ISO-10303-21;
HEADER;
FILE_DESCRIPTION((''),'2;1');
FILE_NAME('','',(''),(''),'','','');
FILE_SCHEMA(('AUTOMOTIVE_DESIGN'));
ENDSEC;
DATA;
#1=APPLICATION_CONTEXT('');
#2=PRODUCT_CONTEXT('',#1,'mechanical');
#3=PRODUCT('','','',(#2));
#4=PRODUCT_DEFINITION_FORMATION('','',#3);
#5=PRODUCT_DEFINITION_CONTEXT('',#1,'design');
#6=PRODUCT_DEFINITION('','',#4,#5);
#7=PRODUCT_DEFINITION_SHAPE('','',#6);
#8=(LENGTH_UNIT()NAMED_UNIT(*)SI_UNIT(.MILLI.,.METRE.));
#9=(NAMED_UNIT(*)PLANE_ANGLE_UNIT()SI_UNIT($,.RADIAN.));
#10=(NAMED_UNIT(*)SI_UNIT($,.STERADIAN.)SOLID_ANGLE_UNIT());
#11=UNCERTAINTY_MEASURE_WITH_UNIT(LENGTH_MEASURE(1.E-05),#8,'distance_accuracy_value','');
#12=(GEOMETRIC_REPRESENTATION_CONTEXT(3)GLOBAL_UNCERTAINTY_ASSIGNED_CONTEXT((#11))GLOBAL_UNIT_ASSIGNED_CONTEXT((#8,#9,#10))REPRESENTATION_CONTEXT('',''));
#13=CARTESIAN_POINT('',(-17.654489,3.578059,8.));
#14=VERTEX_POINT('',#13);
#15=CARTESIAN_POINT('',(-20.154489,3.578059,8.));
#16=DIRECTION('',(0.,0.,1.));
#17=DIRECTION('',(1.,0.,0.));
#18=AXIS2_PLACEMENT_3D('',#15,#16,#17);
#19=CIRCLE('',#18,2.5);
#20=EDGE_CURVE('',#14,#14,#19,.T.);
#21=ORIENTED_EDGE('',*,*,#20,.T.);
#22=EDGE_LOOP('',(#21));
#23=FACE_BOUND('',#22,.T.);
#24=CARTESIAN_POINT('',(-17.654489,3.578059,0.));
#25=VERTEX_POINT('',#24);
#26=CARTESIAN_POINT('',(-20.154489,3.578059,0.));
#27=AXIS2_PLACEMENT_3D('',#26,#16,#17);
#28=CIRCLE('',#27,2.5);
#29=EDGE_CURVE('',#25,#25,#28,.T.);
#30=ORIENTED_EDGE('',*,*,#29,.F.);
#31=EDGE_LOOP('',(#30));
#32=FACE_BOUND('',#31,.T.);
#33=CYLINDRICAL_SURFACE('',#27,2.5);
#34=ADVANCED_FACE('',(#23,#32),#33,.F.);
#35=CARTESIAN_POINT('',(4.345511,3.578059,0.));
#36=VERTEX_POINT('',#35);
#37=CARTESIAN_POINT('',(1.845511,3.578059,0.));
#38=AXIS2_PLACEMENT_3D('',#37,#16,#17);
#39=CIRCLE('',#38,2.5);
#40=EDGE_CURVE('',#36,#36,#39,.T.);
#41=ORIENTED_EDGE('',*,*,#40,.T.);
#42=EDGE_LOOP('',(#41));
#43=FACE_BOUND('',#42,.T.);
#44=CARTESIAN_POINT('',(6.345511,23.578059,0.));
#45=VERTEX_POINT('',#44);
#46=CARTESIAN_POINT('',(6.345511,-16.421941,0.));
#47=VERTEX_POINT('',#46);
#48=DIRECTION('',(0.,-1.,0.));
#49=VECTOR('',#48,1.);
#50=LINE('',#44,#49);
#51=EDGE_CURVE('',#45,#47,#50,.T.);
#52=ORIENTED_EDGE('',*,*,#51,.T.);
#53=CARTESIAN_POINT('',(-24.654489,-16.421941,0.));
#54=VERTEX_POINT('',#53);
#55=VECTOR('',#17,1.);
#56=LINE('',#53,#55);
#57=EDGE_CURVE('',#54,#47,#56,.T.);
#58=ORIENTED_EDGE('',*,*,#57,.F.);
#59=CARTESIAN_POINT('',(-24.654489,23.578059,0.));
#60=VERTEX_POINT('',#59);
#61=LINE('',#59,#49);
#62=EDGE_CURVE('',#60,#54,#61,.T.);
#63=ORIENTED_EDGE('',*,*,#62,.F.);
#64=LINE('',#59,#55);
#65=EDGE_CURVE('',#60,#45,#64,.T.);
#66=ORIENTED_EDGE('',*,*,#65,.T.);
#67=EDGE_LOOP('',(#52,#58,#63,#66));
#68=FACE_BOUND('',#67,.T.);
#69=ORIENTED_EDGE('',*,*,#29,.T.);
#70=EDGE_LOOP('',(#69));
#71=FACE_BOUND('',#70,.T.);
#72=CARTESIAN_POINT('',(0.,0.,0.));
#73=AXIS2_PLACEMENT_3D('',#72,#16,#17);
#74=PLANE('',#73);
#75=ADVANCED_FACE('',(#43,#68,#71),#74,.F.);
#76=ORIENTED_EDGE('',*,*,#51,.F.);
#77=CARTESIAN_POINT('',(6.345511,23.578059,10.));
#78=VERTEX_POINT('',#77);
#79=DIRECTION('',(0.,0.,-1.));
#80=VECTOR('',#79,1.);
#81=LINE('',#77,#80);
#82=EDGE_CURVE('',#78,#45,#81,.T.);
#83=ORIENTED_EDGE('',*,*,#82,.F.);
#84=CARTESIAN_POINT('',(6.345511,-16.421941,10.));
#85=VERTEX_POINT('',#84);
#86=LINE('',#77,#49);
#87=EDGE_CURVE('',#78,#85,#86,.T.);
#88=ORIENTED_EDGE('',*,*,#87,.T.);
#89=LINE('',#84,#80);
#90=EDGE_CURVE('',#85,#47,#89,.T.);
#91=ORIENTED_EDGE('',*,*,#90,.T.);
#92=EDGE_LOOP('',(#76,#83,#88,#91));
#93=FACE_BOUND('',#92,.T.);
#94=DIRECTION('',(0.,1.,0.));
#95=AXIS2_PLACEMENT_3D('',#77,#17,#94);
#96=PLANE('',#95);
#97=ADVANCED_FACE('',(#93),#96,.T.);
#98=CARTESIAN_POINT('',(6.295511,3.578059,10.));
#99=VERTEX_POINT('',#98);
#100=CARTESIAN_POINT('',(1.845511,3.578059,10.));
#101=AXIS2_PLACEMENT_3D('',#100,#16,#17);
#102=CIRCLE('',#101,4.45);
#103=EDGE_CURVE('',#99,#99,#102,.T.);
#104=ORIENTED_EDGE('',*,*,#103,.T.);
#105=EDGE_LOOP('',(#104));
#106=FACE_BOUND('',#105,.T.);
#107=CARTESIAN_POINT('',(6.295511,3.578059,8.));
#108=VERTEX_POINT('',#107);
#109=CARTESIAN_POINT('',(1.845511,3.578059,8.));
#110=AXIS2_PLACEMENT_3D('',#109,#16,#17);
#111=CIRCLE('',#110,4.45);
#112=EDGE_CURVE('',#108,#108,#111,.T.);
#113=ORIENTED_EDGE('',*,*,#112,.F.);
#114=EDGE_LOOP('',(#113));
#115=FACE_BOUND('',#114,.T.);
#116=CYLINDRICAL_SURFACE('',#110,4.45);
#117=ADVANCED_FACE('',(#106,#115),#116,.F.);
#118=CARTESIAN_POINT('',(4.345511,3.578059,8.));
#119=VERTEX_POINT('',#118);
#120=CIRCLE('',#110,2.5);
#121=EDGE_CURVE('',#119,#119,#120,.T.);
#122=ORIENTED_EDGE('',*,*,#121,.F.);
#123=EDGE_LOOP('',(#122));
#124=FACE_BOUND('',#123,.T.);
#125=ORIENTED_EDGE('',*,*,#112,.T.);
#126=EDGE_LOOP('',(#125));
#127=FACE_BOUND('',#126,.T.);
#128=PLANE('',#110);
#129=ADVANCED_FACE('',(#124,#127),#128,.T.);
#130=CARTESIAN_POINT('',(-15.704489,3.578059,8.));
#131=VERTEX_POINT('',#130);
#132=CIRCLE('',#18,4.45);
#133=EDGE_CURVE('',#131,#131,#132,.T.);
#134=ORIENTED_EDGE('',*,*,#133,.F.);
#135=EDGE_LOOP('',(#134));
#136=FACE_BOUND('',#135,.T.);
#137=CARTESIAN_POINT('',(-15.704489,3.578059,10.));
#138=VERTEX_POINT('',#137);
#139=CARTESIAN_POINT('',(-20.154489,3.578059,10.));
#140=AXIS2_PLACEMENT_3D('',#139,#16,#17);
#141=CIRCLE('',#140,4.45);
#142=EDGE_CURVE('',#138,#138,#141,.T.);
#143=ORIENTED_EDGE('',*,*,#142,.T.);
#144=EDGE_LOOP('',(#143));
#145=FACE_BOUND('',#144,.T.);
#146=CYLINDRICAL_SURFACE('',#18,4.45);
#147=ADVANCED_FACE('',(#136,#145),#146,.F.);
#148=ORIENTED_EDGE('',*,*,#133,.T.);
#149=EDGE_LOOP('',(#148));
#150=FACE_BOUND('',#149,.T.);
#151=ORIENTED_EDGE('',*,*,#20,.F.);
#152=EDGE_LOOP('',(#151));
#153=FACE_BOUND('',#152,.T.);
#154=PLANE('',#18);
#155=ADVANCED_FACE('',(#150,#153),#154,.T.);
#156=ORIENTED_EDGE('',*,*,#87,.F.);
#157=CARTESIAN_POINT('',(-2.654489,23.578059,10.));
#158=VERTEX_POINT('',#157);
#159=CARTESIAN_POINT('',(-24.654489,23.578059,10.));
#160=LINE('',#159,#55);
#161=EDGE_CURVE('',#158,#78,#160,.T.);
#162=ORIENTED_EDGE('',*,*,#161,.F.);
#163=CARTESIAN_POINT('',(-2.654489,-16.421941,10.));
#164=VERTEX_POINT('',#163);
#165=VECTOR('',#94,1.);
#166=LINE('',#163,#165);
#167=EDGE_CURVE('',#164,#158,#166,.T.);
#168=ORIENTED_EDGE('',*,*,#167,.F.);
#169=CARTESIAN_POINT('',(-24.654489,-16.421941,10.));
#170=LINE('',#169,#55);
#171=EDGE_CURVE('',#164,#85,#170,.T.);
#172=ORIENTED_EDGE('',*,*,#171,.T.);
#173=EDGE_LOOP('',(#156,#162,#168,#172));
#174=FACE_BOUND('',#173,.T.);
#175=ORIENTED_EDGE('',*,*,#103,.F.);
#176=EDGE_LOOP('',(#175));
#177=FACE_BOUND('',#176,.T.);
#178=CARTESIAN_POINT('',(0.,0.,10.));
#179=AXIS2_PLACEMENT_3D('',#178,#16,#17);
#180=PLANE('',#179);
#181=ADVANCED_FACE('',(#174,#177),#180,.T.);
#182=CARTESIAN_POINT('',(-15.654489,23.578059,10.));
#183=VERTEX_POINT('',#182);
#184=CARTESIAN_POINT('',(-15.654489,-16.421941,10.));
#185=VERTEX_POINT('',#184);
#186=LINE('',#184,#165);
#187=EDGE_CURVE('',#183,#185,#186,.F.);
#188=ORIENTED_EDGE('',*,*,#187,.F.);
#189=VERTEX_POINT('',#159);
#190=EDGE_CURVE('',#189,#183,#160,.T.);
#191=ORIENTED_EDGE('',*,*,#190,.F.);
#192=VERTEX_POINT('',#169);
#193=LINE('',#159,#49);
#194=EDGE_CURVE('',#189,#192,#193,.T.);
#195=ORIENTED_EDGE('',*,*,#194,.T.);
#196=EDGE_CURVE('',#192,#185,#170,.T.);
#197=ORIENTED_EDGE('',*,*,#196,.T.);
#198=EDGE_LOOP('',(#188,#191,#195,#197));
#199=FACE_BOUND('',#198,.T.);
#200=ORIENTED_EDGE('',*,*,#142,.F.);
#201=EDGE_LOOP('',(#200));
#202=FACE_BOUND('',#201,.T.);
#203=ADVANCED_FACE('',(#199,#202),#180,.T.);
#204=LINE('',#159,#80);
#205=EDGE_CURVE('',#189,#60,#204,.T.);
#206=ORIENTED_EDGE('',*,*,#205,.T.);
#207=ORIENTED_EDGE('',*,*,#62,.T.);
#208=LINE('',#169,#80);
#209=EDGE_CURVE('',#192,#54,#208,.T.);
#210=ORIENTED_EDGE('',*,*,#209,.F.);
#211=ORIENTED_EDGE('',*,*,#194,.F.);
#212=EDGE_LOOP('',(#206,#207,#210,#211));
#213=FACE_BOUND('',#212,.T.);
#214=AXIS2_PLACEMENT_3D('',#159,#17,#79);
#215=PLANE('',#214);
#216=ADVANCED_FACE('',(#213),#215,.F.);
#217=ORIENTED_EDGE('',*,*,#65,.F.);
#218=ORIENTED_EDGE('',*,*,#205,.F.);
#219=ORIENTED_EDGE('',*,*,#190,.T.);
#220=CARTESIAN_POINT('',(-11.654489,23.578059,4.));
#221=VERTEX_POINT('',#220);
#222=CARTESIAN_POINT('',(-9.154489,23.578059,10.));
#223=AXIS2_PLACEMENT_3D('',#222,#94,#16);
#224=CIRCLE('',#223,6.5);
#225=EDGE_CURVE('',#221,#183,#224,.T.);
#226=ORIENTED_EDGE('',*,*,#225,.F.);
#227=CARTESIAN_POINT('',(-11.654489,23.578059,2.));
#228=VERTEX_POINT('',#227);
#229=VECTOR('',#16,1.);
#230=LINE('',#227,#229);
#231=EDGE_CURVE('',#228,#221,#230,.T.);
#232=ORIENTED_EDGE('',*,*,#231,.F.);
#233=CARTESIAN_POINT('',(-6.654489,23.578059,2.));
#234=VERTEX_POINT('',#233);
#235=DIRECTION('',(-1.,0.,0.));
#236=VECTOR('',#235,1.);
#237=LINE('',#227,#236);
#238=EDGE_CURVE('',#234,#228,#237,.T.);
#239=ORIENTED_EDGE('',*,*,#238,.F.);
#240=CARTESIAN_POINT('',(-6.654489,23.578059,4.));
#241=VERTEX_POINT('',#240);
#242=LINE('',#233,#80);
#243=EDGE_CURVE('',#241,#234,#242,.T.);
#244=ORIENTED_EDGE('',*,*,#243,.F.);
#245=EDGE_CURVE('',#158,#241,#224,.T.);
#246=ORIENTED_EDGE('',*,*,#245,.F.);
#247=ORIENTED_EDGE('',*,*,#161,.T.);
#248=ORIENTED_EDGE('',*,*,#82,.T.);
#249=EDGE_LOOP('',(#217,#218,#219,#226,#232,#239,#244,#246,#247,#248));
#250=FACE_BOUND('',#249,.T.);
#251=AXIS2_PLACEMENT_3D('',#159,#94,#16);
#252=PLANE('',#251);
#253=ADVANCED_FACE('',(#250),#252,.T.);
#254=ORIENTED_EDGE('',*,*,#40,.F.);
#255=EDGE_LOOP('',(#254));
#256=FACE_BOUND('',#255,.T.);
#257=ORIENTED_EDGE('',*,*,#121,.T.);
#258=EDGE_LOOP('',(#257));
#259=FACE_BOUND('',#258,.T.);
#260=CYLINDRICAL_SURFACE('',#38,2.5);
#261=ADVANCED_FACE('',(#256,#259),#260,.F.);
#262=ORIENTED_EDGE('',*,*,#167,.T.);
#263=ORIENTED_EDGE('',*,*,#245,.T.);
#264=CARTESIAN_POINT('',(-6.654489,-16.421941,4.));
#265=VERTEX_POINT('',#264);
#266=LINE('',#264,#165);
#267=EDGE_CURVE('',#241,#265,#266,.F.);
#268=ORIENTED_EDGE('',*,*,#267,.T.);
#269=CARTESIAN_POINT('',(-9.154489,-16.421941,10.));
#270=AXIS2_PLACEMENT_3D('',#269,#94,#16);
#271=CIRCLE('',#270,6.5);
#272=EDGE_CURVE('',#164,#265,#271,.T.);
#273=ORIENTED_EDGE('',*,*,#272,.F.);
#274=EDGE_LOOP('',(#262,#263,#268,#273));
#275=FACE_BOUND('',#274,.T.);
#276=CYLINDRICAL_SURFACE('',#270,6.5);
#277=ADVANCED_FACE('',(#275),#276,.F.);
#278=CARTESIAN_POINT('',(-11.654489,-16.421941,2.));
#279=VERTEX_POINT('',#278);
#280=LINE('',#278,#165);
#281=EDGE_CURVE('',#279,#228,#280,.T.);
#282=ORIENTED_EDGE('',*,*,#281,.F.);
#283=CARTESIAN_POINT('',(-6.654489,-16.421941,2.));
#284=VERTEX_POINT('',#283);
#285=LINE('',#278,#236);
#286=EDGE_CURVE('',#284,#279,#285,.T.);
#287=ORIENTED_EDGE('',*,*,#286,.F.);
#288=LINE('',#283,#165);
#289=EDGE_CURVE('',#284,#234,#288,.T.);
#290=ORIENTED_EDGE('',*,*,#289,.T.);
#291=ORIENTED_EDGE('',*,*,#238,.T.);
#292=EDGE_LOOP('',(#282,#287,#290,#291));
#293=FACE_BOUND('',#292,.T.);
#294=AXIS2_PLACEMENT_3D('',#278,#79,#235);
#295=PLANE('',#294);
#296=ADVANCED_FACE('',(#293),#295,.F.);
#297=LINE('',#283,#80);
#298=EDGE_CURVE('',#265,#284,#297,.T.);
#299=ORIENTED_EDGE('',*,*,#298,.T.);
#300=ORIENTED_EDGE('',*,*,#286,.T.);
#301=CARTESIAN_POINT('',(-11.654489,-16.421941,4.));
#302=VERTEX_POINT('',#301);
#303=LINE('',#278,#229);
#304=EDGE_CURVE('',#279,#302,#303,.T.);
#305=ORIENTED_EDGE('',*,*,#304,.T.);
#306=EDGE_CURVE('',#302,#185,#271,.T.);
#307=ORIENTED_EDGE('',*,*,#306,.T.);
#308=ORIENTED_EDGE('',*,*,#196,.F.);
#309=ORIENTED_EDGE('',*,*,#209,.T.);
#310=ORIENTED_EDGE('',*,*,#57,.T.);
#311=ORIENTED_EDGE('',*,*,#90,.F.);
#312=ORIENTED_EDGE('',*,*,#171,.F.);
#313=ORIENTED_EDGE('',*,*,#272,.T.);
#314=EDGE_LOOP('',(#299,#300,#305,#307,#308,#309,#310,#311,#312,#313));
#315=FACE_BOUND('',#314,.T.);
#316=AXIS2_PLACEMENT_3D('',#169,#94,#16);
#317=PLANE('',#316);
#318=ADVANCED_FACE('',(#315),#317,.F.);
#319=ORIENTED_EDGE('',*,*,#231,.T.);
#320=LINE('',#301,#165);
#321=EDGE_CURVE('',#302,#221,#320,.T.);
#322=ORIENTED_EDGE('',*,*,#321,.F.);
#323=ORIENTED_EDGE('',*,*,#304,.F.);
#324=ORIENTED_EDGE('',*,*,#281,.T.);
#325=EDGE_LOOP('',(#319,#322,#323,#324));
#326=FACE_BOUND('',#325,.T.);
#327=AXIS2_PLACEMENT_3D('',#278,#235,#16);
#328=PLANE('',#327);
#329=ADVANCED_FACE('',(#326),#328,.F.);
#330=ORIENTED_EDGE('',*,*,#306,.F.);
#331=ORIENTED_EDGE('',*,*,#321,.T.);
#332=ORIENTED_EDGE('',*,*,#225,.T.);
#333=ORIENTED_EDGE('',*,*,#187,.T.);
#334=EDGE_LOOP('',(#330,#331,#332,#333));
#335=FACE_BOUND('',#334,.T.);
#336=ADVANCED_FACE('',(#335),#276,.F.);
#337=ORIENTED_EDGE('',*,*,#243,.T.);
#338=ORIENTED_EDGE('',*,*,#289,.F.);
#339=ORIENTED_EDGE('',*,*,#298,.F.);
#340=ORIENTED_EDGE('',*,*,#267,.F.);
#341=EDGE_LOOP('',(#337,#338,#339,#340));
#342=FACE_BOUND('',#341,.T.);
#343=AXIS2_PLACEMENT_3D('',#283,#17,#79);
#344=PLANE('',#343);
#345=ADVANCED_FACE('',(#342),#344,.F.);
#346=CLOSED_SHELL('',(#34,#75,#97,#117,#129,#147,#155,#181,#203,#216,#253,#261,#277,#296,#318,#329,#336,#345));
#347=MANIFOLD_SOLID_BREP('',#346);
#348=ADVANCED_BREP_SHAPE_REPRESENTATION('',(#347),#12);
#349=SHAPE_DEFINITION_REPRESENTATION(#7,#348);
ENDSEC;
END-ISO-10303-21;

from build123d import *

# Parameters (mm, degrees)
SKETCH1_W           = 31
SKETCH1_H           = 40
BOSS_EXTRUDE1_DEPTH = 10
SKETCH2_R           = 6.5
CUT_EXTRUDE1_DEPTH  = 49.040022953
SKETCH3_R           = 2.5
CUT_EXTRUDE2_DEPTH  = 36.549524257
SKETCH3_4_R         = 4.45
SKETCH3_4_R_2       = 2.5
CUT_EXTRUDE5_DEPTH  = 2
SKETCH4_W           = 5
SKETCH4_H           = 3
CUT_EXTRUDE6_DEPTH  = 49.040022953


with BuildPart() as part:
    # Sketch1 → Boss-Extrude1 (new body)
    with BuildSketch(Plane.XY):
        with Locations((-9.154488543, 3.578059072)):
            Rectangle(SKETCH1_W, SKETCH1_H)
    extrude(amount=BOSS_EXTRUDE1_DEPTH)

    # Sketch2 → Cut-Extrude1 (cut, through all)
    with BuildSketch(Plane(origin=(0, 23.578059072, 0), x_dir=(1, 0, 0), z_dir=(0, 1, 0))):
        with Locations((-9.154488543, -10)):
            Circle(SKETCH2_R)
    extrude(amount=-CUT_EXTRUDE1_DEPTH, mode=Mode.SUBTRACT)

    # Sketch3 → Cut-Extrude2 (cut, through all)
    with BuildSketch(Plane.XY.offset(10)):
        with Locations((-20.154488543, 3.578059072)):
            Circle(SKETCH3_R)
        with Locations((1.845511457, 3.578059072)):
            Circle(SKETCH3_R)
    extrude(amount=-CUT_EXTRUDE2_DEPTH, mode=Mode.SUBTRACT)

    # Sketch3<4> → Cut-Extrude5 (cut)
    # profile 1 of 2: a face of its own
    with BuildSketch(Plane.XY.offset(10)):
        with Locations((-20.154488543, 3.578059072)):
            Circle(SKETCH3_4_R)
        with Locations((-20.154488543, 3.578059072)):
            Circle(SKETCH3_4_R_2, mode=Mode.SUBTRACT)
    # profile 2 of 2: a face of its own
    with BuildSketch(Plane.XY.offset(10)):
        with Locations((1.845511457, 3.578059072)):
            Circle(SKETCH3_4_R)
        with Locations((1.845511457, 3.578059072)):
            Circle(SKETCH3_4_R_2, mode=Mode.SUBTRACT)
    extrude(amount=-CUT_EXTRUDE5_DEPTH, mode=Mode.SUBTRACT)

    # Sketch4 → Cut-Extrude6 (cut, through all)
    with BuildSketch(Plane(origin=(0, 23.578059072, 0), x_dir=(1, 0, 0), z_dir=(0, 1, 0))):
        with Locations((-9.154488543, -3.5)):
            Rectangle(SKETCH4_W, SKETCH4_H)
    extrude(amount=-CUT_EXTRUDE6_DEPTH, mode=Mode.SUBTRACT)


solid = part.part
